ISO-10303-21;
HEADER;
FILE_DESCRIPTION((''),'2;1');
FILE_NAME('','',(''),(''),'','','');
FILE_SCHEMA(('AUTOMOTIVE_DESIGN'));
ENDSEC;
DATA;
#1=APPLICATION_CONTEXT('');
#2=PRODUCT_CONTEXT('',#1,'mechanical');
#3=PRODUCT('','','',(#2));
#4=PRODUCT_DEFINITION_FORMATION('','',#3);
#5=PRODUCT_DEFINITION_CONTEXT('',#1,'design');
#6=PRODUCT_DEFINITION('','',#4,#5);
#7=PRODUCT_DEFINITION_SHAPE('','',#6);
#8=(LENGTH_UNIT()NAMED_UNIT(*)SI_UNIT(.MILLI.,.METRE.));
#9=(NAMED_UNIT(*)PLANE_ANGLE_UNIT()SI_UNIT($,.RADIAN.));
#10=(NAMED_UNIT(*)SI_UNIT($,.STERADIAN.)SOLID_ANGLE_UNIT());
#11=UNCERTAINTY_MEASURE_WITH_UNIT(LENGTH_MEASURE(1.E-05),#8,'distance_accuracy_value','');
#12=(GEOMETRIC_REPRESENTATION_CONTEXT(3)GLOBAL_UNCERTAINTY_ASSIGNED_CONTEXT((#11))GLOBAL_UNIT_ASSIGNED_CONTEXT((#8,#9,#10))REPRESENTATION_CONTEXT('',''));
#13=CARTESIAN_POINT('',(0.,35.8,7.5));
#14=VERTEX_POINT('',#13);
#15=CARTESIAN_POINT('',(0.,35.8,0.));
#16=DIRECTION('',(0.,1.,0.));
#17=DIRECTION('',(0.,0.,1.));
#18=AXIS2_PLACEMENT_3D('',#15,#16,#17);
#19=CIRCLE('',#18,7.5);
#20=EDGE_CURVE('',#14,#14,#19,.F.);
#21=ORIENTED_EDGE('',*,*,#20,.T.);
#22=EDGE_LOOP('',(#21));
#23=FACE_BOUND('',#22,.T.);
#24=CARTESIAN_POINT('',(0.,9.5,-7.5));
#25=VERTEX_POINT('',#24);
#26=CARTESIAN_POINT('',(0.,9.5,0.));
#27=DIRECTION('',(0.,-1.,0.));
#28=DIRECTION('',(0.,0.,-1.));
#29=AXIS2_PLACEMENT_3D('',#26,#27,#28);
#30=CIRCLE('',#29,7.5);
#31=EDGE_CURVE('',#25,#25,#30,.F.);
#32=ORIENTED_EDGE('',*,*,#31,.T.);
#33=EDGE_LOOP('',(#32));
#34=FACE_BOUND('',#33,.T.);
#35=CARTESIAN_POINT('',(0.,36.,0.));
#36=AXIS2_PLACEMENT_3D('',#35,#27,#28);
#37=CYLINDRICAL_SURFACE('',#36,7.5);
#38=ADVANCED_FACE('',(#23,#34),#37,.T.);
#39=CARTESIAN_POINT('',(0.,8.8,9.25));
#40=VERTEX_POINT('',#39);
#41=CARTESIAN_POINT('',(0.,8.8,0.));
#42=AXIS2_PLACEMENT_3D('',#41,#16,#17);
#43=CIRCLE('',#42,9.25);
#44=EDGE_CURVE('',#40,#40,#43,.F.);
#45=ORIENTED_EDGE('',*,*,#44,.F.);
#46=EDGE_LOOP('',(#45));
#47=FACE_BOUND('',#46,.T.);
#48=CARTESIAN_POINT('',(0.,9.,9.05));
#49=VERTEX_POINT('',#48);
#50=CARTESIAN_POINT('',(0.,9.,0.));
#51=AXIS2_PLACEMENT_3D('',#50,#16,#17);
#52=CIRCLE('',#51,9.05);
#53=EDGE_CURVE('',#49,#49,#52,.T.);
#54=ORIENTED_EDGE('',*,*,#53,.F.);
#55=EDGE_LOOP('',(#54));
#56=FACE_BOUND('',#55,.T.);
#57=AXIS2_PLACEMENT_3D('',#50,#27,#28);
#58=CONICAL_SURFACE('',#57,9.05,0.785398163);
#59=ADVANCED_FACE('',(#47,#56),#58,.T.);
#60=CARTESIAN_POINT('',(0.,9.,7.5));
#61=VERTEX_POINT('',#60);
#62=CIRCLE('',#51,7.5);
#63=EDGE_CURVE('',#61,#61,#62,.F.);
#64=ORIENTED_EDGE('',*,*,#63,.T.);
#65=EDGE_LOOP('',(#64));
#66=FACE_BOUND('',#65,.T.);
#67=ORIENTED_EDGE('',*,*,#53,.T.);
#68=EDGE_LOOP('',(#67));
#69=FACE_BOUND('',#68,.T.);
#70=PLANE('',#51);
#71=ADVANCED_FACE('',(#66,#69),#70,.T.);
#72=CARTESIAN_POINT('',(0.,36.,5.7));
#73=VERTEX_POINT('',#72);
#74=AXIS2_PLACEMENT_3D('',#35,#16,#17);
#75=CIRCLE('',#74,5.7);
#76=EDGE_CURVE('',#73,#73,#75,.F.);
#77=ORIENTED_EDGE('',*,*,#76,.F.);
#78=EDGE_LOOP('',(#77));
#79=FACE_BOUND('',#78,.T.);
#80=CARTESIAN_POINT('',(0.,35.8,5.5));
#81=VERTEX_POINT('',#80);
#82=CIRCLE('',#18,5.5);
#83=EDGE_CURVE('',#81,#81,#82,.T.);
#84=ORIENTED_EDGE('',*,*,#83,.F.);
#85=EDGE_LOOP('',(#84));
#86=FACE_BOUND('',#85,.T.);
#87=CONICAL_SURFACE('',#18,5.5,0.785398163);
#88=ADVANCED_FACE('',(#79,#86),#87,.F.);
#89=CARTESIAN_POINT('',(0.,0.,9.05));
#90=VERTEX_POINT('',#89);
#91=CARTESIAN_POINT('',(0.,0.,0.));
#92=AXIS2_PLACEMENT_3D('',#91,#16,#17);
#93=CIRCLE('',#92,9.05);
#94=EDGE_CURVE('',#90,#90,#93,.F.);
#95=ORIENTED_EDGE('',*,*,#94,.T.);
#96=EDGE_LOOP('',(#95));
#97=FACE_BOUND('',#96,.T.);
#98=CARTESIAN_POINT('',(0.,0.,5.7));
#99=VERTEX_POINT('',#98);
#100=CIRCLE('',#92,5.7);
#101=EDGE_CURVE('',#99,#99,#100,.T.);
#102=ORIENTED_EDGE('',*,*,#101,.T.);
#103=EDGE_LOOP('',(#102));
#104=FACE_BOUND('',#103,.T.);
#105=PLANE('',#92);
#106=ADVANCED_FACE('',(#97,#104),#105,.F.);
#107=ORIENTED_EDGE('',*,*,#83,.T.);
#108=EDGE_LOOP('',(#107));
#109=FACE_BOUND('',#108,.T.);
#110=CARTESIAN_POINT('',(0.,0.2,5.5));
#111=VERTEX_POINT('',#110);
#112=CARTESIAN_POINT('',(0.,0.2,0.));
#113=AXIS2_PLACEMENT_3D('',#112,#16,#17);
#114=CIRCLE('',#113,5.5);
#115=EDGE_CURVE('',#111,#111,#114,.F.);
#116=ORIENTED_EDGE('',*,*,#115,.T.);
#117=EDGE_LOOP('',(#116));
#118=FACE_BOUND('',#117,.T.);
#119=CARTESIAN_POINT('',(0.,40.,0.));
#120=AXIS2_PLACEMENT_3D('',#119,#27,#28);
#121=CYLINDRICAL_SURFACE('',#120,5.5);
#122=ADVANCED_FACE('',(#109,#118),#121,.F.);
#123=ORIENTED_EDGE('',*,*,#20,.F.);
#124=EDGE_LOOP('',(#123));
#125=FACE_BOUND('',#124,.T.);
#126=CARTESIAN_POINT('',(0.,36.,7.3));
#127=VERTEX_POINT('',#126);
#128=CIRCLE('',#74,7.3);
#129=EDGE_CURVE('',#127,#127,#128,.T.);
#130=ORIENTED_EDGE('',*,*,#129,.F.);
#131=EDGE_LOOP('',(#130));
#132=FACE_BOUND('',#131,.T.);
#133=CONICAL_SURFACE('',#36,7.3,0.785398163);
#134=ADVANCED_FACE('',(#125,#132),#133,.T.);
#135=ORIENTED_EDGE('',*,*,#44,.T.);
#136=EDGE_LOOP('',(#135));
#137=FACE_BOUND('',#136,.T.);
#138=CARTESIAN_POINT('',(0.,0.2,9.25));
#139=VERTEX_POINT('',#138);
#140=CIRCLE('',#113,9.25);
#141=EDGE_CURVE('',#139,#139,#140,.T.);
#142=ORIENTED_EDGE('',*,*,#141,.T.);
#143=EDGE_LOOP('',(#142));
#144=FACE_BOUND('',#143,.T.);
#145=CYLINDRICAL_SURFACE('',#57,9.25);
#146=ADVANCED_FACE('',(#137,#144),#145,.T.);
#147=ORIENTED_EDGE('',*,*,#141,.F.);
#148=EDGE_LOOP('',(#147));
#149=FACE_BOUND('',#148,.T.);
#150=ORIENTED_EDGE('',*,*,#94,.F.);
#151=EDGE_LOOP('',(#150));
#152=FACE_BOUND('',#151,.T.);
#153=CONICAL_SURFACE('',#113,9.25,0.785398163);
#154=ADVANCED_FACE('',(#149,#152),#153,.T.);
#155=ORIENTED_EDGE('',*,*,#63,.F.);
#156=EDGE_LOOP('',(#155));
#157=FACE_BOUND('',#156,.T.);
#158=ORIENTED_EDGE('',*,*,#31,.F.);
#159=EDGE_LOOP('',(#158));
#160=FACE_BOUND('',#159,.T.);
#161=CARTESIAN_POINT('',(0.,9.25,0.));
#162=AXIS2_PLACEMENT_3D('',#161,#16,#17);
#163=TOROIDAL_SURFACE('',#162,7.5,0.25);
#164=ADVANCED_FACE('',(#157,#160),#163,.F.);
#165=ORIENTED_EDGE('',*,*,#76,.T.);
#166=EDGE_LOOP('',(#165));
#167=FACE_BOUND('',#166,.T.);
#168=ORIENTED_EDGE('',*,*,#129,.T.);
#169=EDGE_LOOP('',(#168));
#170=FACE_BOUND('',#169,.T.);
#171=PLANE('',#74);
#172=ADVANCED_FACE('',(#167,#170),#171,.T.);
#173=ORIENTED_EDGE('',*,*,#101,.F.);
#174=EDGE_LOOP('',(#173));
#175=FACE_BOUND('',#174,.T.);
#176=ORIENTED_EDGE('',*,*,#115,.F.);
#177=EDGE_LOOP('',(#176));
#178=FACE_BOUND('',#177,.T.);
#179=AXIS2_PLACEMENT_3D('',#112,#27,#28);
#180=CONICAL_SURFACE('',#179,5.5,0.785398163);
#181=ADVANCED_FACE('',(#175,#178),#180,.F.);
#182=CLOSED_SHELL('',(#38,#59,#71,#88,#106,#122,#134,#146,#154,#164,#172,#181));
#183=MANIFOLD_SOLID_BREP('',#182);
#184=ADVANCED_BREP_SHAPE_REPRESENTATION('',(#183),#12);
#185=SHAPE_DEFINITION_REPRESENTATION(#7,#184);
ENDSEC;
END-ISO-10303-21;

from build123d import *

# Parameters (mm, degrees)
SKIZZE1_R                       = 9.25
AUFSATZ_LINEAR_AUSTRAGEN1_DEPTH = 9
SKIZZE2_R                       = 7.5
AUFSATZ_LINEAR_AUSTRAGEN2_DEPTH = 27
SKIZZE3_R                       = 5.5
SCHNITT_LINEAR_AUSTRAGEN1_DEPTH = 40
FASE1_SIZE                      = 0.2
SKIZZE4_R                       = 0.25


with BuildPart() as part:
    # Skizze1 → Aufsatz-Linear austragen1 (new body)
    with BuildSketch(Plane(origin=(0, 0, 0), x_dir=(1, 0, 0), z_dir=(0, 1, 0))):
        Circle(SKIZZE1_R)
    extrude(amount=AUFSATZ_LINEAR_AUSTRAGEN1_DEPTH)

    # Skizze2 → Aufsatz-Linear austragen2 (add)
    with BuildSketch(Plane(origin=(0, 9, 0), x_dir=(1, 0, 0), z_dir=(0, 1, 0))):
        Circle(SKIZZE2_R)
    extrude(amount=AUFSATZ_LINEAR_AUSTRAGEN2_DEPTH)

    # Skizze3 → Schnitt-Linear austragen1 (cut)
    with BuildSketch(Plane.XZ):
        Circle(SKIZZE3_R)
    extrude(amount=-SCHNITT_LINEAR_AUSTRAGEN1_DEPTH, mode=Mode.SUBTRACT)

    # Fase1
    fase1_edges = [part.edges().sort_by_distance(p)[0] for p in [
        (-5.5, 36, 0),
        (-5.5, 0, 0),
        (-9.25, 0, 0),
        (-9.25, 9, 0),
        (-7.5, 36, 0),
    ]]
    chamfer(fase1_edges, length=FASE1_SIZE)

    # Skizze4 → Schnitt-Rotation1 (revolve, cut)
    with BuildSketch(Plane(origin=(0, 0, 0), x_dir=(0, 0, -1), z_dir=(1, 0, 0))):
        with Locations((-7.5, 9.25)):
            Circle(SKIZZE4_R)
    revolve(axis=Axis((0, 12.492787288, 0), (0, -1, 0)), mode=Mode.SUBTRACT)


solid = part.part
